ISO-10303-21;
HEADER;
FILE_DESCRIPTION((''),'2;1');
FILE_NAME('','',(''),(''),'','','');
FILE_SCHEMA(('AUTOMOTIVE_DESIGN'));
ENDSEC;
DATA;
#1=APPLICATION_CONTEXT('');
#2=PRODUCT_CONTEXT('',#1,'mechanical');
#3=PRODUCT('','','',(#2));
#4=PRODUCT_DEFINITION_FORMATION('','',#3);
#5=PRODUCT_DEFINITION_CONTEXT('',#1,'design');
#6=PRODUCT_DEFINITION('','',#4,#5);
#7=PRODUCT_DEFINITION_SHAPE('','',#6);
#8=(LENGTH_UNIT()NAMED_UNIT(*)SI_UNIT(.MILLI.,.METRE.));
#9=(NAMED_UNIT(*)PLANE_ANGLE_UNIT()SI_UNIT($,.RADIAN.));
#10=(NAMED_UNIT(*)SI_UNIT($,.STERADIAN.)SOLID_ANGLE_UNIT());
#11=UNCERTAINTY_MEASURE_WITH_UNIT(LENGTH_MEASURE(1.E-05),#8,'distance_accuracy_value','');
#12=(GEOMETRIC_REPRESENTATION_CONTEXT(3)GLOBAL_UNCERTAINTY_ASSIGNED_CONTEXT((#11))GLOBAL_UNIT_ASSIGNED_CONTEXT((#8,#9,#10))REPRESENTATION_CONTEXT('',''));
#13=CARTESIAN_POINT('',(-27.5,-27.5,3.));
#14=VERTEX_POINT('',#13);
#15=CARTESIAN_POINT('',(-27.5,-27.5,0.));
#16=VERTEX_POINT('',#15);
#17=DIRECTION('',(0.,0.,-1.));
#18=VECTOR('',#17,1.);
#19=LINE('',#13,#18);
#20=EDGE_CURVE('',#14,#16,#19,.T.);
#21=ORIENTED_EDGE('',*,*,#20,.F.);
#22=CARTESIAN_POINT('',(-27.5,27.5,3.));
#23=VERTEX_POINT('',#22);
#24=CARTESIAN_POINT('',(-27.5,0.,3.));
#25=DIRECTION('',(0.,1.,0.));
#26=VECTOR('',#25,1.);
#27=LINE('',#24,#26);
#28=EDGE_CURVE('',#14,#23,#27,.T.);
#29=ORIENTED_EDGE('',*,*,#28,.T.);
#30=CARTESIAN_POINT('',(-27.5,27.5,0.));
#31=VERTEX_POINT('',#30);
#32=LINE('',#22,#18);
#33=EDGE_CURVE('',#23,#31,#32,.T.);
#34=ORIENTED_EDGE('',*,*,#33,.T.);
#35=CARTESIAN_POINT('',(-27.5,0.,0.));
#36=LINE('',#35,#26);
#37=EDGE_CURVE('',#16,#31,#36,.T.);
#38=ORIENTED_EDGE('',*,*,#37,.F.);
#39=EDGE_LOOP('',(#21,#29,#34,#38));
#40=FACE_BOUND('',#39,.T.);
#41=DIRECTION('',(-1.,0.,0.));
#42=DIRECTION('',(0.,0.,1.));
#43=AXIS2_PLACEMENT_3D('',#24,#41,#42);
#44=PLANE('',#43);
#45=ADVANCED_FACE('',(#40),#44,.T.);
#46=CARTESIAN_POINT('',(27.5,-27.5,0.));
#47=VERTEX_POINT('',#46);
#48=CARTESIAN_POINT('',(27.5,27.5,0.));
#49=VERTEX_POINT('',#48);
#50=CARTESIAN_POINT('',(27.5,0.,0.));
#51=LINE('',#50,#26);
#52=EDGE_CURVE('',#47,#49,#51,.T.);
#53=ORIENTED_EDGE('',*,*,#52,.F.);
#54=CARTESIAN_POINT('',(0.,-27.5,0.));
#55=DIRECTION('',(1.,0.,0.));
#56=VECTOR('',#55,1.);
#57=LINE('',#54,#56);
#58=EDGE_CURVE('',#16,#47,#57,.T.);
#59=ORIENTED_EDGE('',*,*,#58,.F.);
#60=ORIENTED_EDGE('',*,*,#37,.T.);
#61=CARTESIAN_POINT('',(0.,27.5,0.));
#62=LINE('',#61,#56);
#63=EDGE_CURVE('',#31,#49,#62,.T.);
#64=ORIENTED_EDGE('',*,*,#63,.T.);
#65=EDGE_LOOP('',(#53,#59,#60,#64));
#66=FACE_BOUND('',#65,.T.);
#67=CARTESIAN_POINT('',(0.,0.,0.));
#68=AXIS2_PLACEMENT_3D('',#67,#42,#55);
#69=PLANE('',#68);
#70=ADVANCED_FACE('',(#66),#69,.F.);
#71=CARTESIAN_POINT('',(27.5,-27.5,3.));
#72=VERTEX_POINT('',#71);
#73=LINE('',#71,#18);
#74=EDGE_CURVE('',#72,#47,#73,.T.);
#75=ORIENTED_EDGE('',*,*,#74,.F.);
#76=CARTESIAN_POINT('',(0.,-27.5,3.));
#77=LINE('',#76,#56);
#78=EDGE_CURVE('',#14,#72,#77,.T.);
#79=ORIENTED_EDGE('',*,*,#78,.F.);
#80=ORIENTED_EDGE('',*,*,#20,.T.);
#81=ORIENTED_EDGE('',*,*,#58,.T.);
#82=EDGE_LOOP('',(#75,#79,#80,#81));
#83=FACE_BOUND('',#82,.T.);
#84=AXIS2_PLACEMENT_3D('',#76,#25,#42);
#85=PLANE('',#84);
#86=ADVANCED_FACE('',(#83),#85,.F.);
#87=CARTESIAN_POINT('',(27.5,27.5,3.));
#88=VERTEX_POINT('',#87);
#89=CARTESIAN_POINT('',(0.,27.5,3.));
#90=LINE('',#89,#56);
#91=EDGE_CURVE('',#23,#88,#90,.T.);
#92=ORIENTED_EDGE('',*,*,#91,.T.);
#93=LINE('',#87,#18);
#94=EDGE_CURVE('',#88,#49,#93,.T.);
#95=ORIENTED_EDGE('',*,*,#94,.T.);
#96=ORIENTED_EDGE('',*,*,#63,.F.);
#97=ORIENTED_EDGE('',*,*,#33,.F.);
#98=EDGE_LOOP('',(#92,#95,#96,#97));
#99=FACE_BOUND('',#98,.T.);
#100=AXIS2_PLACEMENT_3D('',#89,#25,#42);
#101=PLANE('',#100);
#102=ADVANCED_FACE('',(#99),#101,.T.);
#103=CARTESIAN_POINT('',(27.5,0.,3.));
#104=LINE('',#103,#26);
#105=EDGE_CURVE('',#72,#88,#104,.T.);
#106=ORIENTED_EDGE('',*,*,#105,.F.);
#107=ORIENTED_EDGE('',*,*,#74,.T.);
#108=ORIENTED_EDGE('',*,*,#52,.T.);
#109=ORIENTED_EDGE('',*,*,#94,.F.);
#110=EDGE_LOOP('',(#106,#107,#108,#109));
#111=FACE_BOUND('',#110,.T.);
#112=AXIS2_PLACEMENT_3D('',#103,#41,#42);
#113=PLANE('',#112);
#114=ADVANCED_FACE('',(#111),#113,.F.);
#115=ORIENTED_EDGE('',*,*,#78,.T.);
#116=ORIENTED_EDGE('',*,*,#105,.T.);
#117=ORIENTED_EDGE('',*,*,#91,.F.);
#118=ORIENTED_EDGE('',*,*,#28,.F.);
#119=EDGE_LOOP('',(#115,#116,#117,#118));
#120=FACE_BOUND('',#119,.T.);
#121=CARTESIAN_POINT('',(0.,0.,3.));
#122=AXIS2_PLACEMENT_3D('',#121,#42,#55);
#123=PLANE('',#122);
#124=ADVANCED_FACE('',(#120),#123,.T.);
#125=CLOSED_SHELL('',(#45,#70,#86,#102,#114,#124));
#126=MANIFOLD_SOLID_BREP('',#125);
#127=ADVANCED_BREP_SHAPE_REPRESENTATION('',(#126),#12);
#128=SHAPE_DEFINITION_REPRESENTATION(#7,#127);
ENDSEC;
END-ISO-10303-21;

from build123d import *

# Parameters (mm, degrees)
ESQUISSE1_W        = 55
ESQUISSE1_H        = 55
BOSS_EXTRU_1_DEPTH = 3


with BuildPart() as part:
    # Esquisse1 → Boss.-Extru.1 (new body)
    with BuildSketch(Plane.XY):
        Rectangle(ESQUISSE1_W, ESQUISSE1_H)
    extrude(amount=BOSS_EXTRU_1_DEPTH)


solid = part.part
